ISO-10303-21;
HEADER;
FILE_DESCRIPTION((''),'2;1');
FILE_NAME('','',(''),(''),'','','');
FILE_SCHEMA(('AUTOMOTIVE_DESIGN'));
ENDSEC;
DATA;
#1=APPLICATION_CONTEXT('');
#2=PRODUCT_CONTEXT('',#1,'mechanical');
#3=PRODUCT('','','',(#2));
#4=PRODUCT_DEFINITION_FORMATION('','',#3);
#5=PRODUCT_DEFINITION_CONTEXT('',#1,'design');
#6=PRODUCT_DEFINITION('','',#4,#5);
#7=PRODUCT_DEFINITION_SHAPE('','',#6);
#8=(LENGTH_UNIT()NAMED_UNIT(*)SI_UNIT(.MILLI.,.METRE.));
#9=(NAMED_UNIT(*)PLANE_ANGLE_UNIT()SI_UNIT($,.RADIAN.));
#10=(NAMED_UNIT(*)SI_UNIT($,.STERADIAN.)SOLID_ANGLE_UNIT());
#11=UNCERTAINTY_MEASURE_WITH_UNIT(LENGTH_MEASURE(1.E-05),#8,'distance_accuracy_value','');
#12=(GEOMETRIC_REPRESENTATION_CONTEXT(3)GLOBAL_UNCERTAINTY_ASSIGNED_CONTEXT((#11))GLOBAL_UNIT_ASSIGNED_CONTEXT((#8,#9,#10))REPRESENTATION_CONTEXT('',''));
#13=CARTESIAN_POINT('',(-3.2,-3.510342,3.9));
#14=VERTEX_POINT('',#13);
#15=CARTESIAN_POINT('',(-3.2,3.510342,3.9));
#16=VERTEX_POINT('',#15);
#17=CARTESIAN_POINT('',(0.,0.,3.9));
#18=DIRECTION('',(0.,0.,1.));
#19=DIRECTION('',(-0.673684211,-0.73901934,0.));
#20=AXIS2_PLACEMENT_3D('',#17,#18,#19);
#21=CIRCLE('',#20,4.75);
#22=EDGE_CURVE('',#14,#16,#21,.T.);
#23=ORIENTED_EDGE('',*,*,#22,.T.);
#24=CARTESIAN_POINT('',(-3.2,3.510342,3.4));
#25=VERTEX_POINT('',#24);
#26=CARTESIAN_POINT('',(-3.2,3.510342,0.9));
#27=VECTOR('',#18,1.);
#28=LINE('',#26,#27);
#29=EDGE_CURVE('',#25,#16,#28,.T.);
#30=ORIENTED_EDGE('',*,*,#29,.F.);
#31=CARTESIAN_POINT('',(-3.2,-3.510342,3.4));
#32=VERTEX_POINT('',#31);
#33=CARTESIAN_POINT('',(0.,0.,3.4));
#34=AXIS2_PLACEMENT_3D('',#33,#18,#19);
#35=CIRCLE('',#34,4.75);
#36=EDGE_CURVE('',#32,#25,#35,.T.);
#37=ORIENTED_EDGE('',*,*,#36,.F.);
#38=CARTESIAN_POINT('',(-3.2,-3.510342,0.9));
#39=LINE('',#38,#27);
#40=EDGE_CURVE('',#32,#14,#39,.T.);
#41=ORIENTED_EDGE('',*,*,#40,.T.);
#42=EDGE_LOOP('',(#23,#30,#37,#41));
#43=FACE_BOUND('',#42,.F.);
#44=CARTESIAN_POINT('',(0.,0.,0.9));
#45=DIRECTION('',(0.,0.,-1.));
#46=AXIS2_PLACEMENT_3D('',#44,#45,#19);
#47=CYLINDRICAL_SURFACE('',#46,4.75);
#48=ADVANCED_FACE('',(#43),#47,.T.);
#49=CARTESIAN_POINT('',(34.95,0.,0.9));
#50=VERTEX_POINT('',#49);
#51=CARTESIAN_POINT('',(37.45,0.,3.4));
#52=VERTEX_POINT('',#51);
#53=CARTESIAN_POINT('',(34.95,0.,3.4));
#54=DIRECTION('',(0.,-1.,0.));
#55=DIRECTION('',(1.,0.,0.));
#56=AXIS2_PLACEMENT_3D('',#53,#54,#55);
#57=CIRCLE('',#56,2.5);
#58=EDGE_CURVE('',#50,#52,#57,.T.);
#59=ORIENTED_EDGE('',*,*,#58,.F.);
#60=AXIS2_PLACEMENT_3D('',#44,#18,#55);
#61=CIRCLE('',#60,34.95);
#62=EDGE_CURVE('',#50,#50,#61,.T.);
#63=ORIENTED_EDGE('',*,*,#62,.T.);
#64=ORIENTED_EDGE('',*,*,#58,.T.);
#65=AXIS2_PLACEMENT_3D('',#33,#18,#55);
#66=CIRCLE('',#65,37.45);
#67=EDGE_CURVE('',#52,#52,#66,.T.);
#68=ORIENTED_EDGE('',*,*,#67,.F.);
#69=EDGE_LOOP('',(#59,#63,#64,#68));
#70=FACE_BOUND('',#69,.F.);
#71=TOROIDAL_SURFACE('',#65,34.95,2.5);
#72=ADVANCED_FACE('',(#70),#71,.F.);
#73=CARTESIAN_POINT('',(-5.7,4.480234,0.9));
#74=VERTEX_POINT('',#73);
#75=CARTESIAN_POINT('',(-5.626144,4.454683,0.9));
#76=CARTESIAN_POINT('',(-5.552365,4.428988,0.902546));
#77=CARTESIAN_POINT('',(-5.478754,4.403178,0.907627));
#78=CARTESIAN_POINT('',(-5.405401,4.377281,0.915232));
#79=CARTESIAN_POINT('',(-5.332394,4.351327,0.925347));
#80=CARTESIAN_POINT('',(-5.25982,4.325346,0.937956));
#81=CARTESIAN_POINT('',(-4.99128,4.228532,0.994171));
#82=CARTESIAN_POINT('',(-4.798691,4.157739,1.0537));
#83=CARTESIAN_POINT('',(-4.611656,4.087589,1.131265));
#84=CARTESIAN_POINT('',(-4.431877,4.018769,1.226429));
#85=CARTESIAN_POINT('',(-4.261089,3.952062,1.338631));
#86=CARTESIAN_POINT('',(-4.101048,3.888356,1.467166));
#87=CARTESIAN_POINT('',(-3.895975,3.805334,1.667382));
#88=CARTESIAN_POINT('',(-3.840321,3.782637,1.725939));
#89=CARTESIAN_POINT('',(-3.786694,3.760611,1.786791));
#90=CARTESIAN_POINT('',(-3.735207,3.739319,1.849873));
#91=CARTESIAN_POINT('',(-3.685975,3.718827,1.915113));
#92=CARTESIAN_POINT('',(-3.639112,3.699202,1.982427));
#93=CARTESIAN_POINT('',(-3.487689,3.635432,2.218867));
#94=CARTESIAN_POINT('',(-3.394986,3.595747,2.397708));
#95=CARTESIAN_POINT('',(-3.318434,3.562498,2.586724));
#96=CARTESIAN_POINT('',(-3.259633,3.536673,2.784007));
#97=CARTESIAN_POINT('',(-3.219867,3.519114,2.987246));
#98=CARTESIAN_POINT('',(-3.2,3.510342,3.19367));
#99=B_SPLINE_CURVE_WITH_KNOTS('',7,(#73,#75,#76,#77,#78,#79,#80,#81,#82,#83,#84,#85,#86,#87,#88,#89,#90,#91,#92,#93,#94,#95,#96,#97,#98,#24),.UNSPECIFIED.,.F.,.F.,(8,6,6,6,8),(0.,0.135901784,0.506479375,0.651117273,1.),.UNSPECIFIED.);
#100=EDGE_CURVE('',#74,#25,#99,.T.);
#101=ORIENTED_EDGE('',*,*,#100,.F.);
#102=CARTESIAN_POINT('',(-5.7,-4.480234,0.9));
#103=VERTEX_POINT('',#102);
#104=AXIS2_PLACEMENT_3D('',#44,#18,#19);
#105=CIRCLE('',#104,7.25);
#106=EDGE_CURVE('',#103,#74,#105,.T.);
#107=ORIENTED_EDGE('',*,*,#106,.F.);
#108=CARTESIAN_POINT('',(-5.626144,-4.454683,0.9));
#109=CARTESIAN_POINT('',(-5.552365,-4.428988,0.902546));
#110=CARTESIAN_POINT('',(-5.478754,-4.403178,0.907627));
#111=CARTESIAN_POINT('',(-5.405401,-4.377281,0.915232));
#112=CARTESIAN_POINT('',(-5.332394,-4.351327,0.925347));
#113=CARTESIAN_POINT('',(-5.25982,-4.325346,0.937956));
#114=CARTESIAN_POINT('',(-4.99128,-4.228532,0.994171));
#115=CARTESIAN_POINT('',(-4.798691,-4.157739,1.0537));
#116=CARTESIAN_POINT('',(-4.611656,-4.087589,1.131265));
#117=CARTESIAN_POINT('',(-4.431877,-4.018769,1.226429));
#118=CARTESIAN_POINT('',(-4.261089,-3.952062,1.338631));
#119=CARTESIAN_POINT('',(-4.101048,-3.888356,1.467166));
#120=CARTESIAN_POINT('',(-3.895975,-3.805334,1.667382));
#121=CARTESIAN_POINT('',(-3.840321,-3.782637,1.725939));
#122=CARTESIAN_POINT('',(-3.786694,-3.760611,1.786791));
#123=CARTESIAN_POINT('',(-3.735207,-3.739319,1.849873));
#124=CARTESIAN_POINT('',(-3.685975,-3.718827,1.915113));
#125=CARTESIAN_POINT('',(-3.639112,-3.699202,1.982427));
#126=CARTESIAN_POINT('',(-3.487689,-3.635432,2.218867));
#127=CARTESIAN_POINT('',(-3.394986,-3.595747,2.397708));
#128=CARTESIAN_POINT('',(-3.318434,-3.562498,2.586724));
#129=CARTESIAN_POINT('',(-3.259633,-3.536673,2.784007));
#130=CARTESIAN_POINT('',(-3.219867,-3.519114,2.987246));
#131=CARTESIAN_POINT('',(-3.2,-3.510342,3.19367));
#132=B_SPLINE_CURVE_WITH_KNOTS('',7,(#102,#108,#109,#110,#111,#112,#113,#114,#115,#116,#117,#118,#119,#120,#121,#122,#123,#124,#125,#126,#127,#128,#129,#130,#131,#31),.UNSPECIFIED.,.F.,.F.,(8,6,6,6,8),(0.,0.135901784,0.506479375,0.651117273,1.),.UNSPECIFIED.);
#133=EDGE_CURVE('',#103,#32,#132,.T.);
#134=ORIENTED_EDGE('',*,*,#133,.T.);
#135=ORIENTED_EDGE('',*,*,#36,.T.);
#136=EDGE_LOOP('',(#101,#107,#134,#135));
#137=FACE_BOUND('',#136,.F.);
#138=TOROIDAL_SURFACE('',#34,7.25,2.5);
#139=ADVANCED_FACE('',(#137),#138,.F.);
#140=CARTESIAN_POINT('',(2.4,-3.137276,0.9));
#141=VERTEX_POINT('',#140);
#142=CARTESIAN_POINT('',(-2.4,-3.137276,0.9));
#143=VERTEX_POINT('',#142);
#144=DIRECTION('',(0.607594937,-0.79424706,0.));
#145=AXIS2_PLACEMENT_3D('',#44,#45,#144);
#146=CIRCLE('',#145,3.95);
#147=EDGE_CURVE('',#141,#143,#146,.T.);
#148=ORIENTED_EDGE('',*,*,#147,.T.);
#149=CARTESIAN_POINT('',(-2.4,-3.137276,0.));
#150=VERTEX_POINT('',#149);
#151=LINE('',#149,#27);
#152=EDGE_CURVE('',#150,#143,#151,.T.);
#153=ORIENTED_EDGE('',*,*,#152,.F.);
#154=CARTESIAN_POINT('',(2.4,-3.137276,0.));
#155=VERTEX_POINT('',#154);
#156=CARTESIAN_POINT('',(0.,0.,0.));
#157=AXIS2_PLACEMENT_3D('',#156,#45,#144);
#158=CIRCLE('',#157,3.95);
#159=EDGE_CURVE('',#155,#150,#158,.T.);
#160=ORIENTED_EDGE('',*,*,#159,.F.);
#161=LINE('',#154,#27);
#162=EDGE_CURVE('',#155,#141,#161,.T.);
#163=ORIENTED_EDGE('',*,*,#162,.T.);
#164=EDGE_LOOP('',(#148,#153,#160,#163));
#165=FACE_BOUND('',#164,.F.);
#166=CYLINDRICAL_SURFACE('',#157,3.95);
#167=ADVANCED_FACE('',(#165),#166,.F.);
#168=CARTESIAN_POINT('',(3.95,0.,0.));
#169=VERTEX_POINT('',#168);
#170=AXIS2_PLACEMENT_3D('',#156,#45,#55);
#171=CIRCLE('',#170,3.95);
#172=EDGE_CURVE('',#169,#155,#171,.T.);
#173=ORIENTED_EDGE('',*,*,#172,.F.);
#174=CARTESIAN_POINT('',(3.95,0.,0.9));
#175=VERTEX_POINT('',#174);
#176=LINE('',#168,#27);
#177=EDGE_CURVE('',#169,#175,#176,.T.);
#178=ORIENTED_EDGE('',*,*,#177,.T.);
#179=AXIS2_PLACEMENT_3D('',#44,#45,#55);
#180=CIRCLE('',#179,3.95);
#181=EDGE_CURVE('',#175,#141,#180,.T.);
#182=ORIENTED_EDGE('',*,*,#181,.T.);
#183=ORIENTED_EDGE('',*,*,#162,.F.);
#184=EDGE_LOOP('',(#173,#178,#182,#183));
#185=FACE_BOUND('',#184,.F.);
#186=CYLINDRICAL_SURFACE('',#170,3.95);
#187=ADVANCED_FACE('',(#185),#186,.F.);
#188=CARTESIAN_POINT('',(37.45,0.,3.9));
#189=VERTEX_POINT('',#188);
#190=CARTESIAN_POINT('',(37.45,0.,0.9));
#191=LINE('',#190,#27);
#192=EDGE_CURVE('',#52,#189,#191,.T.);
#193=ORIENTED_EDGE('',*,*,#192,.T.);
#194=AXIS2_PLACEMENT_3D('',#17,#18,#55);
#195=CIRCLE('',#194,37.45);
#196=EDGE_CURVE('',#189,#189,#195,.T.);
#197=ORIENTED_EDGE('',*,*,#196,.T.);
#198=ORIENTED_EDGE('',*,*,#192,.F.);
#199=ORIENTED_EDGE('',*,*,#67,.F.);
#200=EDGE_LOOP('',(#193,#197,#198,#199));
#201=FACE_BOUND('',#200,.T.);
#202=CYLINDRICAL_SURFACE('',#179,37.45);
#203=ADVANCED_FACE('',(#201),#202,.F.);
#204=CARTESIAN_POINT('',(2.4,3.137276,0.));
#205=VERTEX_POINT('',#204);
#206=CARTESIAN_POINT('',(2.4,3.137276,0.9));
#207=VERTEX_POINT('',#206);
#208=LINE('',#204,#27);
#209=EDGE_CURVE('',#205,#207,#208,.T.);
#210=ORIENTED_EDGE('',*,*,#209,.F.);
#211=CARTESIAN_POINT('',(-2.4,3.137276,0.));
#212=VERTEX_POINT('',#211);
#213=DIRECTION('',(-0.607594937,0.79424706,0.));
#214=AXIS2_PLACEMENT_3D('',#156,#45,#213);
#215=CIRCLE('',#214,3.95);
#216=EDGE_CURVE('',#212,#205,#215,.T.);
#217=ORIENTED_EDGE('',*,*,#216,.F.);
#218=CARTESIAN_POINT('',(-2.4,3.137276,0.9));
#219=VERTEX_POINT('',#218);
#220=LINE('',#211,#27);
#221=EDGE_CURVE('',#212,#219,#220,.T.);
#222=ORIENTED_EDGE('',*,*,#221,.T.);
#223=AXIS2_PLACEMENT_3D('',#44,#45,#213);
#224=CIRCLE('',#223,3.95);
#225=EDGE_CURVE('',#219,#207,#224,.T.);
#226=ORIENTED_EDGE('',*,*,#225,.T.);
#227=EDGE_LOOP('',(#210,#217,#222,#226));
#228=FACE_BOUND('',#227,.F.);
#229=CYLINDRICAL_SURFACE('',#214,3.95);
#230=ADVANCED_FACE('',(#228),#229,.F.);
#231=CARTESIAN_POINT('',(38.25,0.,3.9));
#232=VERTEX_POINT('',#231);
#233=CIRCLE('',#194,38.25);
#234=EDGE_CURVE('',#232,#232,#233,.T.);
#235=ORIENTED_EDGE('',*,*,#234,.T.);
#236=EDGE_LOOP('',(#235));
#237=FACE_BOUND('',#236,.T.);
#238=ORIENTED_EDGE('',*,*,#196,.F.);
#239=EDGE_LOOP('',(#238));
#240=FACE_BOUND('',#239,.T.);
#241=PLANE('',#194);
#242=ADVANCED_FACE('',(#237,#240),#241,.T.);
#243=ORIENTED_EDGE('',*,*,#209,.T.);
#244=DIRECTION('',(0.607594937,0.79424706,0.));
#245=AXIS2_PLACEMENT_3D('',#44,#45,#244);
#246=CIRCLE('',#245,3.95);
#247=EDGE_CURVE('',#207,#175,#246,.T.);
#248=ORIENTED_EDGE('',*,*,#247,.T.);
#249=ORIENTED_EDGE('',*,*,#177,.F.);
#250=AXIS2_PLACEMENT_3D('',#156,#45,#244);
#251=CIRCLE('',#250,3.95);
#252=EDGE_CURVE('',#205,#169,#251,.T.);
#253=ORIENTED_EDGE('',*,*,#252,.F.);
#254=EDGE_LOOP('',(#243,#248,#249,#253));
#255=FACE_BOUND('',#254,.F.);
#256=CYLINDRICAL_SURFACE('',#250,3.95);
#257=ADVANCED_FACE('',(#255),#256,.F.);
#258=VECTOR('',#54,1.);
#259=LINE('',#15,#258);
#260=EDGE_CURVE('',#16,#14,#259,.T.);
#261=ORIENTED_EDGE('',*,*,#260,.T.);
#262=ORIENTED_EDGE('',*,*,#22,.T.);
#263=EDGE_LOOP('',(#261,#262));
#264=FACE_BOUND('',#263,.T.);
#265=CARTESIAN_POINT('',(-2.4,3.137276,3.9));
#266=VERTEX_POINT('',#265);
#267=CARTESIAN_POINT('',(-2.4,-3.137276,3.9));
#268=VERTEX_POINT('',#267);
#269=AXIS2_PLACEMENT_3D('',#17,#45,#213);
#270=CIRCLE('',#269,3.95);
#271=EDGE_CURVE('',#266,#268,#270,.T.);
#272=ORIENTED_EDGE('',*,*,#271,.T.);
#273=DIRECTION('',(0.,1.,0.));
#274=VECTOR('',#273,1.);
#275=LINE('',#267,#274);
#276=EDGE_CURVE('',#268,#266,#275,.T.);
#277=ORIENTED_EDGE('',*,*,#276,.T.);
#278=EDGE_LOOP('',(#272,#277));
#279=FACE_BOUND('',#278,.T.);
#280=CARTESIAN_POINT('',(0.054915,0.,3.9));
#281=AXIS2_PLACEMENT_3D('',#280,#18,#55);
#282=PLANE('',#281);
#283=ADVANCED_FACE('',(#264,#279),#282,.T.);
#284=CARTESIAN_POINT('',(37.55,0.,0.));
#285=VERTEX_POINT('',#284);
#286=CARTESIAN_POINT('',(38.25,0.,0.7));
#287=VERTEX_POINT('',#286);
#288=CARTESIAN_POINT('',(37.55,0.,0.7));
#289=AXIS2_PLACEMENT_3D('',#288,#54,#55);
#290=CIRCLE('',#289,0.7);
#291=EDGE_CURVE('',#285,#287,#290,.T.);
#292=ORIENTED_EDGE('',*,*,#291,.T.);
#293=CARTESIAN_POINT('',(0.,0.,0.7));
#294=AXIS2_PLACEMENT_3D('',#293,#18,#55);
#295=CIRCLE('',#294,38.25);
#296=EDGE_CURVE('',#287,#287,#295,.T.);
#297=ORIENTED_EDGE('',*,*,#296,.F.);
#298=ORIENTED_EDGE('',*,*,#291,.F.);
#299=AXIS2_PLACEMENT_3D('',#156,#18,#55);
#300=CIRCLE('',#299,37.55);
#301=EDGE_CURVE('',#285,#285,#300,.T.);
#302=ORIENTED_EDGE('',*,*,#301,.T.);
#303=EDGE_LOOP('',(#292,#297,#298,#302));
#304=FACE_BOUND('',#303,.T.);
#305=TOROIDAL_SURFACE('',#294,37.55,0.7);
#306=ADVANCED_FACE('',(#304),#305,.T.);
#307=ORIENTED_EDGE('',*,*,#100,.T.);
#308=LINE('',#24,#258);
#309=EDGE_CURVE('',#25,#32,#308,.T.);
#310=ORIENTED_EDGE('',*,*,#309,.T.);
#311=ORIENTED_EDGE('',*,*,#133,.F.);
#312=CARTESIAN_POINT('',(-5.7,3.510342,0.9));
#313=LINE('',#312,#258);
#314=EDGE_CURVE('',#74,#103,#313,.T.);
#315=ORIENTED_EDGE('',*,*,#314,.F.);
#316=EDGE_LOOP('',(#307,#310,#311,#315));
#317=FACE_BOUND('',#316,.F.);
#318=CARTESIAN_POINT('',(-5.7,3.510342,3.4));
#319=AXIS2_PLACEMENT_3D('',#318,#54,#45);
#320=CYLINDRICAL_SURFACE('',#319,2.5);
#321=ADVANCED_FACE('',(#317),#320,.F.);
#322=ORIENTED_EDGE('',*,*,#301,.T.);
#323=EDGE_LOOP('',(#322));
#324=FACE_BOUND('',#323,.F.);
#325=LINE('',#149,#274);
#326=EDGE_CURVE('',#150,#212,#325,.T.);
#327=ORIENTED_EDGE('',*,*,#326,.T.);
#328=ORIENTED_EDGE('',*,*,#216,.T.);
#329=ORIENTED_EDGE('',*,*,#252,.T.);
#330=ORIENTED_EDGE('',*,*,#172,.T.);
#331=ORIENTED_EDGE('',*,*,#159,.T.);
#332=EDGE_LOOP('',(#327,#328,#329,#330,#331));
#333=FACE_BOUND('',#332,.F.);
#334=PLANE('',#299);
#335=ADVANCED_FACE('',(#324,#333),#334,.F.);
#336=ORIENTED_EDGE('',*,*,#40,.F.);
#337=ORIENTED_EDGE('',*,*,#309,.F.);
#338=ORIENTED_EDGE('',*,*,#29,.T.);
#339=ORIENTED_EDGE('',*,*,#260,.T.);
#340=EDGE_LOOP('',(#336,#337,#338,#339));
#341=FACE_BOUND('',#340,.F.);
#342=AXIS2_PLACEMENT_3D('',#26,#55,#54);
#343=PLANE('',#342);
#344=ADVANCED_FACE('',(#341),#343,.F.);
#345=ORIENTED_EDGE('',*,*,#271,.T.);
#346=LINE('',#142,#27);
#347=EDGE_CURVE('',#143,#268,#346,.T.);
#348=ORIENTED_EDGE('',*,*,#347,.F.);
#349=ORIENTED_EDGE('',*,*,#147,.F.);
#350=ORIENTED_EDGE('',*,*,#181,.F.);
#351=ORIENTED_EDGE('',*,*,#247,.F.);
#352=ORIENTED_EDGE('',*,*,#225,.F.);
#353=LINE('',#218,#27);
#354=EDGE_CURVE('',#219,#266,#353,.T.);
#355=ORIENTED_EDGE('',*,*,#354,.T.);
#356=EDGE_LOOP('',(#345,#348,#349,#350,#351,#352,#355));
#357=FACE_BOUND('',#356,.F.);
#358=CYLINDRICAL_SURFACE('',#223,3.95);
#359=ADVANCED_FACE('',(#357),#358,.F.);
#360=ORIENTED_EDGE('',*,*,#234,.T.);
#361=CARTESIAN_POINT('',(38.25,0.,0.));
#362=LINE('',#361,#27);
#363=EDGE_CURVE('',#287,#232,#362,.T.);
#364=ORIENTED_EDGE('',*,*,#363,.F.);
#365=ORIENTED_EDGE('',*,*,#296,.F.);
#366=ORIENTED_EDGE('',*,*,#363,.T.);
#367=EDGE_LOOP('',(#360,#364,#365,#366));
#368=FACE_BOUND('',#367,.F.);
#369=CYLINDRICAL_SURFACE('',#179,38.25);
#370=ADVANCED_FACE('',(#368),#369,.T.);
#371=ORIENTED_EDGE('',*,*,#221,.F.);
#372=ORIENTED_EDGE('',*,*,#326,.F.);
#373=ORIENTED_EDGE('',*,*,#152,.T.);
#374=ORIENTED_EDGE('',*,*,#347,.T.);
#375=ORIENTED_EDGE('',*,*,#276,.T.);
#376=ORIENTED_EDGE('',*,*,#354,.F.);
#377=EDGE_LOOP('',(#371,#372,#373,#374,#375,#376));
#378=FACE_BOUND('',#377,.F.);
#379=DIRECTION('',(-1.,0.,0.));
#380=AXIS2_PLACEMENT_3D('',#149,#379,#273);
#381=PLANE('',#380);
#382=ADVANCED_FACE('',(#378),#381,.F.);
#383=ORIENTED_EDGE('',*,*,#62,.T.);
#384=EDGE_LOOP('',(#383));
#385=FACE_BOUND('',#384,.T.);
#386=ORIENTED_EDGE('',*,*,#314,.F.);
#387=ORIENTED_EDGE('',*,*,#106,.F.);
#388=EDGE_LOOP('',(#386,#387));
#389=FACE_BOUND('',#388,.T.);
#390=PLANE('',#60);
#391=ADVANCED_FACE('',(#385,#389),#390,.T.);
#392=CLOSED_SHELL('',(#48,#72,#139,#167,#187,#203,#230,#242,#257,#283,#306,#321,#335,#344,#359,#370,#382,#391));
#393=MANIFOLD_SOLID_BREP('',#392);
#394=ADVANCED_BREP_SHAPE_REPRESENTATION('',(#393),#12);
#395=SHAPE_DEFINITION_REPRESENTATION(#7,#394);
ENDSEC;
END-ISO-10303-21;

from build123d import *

# Parameters (mm, degrees)
F0_R     = 38.25
F1_DEPTH = 0.9
F2_R     = 38.25
F2_R_2   = 37.45
F3_DEPTH = 3
F4_R     = 2.5
F5_R     = 0.7


with BuildPart() as f1:
    # F0 (on Top) → F1 (new body)
    with BuildSketch(Plane.XY):
        Circle(F0_R)
        with BuildLine():
            ThreePointArc((2.4, 3.1372758884), (3.5413627321, 1.7496428207), (3.95, 0))
            ThreePointArc((3.95, 0), (3.5413627321, -1.7496428207), (2.4, -3.1372758884))
            ThreePointArc((2.4, -3.1372758884), (0, -3.95), (-2.4, -3.1372758884))
            ThreePointArc((-2.4, -3.1372758884), (-3.95, 0), (-2.4, 3.1372758884))
            ThreePointArc((-2.4, 3.1372758884), (0, 3.95), (2.4, 3.1372758884))
        make_face(mode=Mode.SUBTRACT)
        with BuildLine():
            Line((-2.4, -3.1372758884), (-2.4, 3.1372758884))
            ThreePointArc((-2.4, 3.1372758884), (-3.95, 0), (-2.4, -3.1372758884))
        make_face()
    extrude(amount=F1_DEPTH)

    # F2 (on face) → F3 (join)
    with BuildSketch(Plane.XY.offset(0.9)):
        Circle(F2_R)
        Circle(F2_R_2, mode=Mode.SUBTRACT)
        with BuildLine():
            Line((-3.2, 3.5103418637), (-3.2, -3.5103418637))
            ThreePointArc((-3.2, -3.5103418637), (4.75, 0), (-3.2, 3.5103418637))
        make_face()
        with BuildLine():
            ThreePointArc((-2.4, 3.1372758884), (3.95, 0), (-2.4, -3.1372758884))
            Line((-2.4, -3.1372758884), (-2.4, 3.1372758884))
        make_face(mode=Mode.SUBTRACT)
    extrude(amount=F3_DEPTH)

    # F4
    f4_edges = [f1.edges().sort_by_distance(p)[0] for p in [
        (-37.45, 0, 0.9),
        (-3.2, 0, 0.9),
        (4.75, 0, 0.9),
    ]]
    fillet(f4_edges, radius=F4_R)

    # F5
    f5_edges = [f1.edges().sort_by_distance(p)[0] for p in [
        (-38.25, 0, 0),
    ]]
    fillet(f5_edges, radius=F5_R)


solid = f1.part
